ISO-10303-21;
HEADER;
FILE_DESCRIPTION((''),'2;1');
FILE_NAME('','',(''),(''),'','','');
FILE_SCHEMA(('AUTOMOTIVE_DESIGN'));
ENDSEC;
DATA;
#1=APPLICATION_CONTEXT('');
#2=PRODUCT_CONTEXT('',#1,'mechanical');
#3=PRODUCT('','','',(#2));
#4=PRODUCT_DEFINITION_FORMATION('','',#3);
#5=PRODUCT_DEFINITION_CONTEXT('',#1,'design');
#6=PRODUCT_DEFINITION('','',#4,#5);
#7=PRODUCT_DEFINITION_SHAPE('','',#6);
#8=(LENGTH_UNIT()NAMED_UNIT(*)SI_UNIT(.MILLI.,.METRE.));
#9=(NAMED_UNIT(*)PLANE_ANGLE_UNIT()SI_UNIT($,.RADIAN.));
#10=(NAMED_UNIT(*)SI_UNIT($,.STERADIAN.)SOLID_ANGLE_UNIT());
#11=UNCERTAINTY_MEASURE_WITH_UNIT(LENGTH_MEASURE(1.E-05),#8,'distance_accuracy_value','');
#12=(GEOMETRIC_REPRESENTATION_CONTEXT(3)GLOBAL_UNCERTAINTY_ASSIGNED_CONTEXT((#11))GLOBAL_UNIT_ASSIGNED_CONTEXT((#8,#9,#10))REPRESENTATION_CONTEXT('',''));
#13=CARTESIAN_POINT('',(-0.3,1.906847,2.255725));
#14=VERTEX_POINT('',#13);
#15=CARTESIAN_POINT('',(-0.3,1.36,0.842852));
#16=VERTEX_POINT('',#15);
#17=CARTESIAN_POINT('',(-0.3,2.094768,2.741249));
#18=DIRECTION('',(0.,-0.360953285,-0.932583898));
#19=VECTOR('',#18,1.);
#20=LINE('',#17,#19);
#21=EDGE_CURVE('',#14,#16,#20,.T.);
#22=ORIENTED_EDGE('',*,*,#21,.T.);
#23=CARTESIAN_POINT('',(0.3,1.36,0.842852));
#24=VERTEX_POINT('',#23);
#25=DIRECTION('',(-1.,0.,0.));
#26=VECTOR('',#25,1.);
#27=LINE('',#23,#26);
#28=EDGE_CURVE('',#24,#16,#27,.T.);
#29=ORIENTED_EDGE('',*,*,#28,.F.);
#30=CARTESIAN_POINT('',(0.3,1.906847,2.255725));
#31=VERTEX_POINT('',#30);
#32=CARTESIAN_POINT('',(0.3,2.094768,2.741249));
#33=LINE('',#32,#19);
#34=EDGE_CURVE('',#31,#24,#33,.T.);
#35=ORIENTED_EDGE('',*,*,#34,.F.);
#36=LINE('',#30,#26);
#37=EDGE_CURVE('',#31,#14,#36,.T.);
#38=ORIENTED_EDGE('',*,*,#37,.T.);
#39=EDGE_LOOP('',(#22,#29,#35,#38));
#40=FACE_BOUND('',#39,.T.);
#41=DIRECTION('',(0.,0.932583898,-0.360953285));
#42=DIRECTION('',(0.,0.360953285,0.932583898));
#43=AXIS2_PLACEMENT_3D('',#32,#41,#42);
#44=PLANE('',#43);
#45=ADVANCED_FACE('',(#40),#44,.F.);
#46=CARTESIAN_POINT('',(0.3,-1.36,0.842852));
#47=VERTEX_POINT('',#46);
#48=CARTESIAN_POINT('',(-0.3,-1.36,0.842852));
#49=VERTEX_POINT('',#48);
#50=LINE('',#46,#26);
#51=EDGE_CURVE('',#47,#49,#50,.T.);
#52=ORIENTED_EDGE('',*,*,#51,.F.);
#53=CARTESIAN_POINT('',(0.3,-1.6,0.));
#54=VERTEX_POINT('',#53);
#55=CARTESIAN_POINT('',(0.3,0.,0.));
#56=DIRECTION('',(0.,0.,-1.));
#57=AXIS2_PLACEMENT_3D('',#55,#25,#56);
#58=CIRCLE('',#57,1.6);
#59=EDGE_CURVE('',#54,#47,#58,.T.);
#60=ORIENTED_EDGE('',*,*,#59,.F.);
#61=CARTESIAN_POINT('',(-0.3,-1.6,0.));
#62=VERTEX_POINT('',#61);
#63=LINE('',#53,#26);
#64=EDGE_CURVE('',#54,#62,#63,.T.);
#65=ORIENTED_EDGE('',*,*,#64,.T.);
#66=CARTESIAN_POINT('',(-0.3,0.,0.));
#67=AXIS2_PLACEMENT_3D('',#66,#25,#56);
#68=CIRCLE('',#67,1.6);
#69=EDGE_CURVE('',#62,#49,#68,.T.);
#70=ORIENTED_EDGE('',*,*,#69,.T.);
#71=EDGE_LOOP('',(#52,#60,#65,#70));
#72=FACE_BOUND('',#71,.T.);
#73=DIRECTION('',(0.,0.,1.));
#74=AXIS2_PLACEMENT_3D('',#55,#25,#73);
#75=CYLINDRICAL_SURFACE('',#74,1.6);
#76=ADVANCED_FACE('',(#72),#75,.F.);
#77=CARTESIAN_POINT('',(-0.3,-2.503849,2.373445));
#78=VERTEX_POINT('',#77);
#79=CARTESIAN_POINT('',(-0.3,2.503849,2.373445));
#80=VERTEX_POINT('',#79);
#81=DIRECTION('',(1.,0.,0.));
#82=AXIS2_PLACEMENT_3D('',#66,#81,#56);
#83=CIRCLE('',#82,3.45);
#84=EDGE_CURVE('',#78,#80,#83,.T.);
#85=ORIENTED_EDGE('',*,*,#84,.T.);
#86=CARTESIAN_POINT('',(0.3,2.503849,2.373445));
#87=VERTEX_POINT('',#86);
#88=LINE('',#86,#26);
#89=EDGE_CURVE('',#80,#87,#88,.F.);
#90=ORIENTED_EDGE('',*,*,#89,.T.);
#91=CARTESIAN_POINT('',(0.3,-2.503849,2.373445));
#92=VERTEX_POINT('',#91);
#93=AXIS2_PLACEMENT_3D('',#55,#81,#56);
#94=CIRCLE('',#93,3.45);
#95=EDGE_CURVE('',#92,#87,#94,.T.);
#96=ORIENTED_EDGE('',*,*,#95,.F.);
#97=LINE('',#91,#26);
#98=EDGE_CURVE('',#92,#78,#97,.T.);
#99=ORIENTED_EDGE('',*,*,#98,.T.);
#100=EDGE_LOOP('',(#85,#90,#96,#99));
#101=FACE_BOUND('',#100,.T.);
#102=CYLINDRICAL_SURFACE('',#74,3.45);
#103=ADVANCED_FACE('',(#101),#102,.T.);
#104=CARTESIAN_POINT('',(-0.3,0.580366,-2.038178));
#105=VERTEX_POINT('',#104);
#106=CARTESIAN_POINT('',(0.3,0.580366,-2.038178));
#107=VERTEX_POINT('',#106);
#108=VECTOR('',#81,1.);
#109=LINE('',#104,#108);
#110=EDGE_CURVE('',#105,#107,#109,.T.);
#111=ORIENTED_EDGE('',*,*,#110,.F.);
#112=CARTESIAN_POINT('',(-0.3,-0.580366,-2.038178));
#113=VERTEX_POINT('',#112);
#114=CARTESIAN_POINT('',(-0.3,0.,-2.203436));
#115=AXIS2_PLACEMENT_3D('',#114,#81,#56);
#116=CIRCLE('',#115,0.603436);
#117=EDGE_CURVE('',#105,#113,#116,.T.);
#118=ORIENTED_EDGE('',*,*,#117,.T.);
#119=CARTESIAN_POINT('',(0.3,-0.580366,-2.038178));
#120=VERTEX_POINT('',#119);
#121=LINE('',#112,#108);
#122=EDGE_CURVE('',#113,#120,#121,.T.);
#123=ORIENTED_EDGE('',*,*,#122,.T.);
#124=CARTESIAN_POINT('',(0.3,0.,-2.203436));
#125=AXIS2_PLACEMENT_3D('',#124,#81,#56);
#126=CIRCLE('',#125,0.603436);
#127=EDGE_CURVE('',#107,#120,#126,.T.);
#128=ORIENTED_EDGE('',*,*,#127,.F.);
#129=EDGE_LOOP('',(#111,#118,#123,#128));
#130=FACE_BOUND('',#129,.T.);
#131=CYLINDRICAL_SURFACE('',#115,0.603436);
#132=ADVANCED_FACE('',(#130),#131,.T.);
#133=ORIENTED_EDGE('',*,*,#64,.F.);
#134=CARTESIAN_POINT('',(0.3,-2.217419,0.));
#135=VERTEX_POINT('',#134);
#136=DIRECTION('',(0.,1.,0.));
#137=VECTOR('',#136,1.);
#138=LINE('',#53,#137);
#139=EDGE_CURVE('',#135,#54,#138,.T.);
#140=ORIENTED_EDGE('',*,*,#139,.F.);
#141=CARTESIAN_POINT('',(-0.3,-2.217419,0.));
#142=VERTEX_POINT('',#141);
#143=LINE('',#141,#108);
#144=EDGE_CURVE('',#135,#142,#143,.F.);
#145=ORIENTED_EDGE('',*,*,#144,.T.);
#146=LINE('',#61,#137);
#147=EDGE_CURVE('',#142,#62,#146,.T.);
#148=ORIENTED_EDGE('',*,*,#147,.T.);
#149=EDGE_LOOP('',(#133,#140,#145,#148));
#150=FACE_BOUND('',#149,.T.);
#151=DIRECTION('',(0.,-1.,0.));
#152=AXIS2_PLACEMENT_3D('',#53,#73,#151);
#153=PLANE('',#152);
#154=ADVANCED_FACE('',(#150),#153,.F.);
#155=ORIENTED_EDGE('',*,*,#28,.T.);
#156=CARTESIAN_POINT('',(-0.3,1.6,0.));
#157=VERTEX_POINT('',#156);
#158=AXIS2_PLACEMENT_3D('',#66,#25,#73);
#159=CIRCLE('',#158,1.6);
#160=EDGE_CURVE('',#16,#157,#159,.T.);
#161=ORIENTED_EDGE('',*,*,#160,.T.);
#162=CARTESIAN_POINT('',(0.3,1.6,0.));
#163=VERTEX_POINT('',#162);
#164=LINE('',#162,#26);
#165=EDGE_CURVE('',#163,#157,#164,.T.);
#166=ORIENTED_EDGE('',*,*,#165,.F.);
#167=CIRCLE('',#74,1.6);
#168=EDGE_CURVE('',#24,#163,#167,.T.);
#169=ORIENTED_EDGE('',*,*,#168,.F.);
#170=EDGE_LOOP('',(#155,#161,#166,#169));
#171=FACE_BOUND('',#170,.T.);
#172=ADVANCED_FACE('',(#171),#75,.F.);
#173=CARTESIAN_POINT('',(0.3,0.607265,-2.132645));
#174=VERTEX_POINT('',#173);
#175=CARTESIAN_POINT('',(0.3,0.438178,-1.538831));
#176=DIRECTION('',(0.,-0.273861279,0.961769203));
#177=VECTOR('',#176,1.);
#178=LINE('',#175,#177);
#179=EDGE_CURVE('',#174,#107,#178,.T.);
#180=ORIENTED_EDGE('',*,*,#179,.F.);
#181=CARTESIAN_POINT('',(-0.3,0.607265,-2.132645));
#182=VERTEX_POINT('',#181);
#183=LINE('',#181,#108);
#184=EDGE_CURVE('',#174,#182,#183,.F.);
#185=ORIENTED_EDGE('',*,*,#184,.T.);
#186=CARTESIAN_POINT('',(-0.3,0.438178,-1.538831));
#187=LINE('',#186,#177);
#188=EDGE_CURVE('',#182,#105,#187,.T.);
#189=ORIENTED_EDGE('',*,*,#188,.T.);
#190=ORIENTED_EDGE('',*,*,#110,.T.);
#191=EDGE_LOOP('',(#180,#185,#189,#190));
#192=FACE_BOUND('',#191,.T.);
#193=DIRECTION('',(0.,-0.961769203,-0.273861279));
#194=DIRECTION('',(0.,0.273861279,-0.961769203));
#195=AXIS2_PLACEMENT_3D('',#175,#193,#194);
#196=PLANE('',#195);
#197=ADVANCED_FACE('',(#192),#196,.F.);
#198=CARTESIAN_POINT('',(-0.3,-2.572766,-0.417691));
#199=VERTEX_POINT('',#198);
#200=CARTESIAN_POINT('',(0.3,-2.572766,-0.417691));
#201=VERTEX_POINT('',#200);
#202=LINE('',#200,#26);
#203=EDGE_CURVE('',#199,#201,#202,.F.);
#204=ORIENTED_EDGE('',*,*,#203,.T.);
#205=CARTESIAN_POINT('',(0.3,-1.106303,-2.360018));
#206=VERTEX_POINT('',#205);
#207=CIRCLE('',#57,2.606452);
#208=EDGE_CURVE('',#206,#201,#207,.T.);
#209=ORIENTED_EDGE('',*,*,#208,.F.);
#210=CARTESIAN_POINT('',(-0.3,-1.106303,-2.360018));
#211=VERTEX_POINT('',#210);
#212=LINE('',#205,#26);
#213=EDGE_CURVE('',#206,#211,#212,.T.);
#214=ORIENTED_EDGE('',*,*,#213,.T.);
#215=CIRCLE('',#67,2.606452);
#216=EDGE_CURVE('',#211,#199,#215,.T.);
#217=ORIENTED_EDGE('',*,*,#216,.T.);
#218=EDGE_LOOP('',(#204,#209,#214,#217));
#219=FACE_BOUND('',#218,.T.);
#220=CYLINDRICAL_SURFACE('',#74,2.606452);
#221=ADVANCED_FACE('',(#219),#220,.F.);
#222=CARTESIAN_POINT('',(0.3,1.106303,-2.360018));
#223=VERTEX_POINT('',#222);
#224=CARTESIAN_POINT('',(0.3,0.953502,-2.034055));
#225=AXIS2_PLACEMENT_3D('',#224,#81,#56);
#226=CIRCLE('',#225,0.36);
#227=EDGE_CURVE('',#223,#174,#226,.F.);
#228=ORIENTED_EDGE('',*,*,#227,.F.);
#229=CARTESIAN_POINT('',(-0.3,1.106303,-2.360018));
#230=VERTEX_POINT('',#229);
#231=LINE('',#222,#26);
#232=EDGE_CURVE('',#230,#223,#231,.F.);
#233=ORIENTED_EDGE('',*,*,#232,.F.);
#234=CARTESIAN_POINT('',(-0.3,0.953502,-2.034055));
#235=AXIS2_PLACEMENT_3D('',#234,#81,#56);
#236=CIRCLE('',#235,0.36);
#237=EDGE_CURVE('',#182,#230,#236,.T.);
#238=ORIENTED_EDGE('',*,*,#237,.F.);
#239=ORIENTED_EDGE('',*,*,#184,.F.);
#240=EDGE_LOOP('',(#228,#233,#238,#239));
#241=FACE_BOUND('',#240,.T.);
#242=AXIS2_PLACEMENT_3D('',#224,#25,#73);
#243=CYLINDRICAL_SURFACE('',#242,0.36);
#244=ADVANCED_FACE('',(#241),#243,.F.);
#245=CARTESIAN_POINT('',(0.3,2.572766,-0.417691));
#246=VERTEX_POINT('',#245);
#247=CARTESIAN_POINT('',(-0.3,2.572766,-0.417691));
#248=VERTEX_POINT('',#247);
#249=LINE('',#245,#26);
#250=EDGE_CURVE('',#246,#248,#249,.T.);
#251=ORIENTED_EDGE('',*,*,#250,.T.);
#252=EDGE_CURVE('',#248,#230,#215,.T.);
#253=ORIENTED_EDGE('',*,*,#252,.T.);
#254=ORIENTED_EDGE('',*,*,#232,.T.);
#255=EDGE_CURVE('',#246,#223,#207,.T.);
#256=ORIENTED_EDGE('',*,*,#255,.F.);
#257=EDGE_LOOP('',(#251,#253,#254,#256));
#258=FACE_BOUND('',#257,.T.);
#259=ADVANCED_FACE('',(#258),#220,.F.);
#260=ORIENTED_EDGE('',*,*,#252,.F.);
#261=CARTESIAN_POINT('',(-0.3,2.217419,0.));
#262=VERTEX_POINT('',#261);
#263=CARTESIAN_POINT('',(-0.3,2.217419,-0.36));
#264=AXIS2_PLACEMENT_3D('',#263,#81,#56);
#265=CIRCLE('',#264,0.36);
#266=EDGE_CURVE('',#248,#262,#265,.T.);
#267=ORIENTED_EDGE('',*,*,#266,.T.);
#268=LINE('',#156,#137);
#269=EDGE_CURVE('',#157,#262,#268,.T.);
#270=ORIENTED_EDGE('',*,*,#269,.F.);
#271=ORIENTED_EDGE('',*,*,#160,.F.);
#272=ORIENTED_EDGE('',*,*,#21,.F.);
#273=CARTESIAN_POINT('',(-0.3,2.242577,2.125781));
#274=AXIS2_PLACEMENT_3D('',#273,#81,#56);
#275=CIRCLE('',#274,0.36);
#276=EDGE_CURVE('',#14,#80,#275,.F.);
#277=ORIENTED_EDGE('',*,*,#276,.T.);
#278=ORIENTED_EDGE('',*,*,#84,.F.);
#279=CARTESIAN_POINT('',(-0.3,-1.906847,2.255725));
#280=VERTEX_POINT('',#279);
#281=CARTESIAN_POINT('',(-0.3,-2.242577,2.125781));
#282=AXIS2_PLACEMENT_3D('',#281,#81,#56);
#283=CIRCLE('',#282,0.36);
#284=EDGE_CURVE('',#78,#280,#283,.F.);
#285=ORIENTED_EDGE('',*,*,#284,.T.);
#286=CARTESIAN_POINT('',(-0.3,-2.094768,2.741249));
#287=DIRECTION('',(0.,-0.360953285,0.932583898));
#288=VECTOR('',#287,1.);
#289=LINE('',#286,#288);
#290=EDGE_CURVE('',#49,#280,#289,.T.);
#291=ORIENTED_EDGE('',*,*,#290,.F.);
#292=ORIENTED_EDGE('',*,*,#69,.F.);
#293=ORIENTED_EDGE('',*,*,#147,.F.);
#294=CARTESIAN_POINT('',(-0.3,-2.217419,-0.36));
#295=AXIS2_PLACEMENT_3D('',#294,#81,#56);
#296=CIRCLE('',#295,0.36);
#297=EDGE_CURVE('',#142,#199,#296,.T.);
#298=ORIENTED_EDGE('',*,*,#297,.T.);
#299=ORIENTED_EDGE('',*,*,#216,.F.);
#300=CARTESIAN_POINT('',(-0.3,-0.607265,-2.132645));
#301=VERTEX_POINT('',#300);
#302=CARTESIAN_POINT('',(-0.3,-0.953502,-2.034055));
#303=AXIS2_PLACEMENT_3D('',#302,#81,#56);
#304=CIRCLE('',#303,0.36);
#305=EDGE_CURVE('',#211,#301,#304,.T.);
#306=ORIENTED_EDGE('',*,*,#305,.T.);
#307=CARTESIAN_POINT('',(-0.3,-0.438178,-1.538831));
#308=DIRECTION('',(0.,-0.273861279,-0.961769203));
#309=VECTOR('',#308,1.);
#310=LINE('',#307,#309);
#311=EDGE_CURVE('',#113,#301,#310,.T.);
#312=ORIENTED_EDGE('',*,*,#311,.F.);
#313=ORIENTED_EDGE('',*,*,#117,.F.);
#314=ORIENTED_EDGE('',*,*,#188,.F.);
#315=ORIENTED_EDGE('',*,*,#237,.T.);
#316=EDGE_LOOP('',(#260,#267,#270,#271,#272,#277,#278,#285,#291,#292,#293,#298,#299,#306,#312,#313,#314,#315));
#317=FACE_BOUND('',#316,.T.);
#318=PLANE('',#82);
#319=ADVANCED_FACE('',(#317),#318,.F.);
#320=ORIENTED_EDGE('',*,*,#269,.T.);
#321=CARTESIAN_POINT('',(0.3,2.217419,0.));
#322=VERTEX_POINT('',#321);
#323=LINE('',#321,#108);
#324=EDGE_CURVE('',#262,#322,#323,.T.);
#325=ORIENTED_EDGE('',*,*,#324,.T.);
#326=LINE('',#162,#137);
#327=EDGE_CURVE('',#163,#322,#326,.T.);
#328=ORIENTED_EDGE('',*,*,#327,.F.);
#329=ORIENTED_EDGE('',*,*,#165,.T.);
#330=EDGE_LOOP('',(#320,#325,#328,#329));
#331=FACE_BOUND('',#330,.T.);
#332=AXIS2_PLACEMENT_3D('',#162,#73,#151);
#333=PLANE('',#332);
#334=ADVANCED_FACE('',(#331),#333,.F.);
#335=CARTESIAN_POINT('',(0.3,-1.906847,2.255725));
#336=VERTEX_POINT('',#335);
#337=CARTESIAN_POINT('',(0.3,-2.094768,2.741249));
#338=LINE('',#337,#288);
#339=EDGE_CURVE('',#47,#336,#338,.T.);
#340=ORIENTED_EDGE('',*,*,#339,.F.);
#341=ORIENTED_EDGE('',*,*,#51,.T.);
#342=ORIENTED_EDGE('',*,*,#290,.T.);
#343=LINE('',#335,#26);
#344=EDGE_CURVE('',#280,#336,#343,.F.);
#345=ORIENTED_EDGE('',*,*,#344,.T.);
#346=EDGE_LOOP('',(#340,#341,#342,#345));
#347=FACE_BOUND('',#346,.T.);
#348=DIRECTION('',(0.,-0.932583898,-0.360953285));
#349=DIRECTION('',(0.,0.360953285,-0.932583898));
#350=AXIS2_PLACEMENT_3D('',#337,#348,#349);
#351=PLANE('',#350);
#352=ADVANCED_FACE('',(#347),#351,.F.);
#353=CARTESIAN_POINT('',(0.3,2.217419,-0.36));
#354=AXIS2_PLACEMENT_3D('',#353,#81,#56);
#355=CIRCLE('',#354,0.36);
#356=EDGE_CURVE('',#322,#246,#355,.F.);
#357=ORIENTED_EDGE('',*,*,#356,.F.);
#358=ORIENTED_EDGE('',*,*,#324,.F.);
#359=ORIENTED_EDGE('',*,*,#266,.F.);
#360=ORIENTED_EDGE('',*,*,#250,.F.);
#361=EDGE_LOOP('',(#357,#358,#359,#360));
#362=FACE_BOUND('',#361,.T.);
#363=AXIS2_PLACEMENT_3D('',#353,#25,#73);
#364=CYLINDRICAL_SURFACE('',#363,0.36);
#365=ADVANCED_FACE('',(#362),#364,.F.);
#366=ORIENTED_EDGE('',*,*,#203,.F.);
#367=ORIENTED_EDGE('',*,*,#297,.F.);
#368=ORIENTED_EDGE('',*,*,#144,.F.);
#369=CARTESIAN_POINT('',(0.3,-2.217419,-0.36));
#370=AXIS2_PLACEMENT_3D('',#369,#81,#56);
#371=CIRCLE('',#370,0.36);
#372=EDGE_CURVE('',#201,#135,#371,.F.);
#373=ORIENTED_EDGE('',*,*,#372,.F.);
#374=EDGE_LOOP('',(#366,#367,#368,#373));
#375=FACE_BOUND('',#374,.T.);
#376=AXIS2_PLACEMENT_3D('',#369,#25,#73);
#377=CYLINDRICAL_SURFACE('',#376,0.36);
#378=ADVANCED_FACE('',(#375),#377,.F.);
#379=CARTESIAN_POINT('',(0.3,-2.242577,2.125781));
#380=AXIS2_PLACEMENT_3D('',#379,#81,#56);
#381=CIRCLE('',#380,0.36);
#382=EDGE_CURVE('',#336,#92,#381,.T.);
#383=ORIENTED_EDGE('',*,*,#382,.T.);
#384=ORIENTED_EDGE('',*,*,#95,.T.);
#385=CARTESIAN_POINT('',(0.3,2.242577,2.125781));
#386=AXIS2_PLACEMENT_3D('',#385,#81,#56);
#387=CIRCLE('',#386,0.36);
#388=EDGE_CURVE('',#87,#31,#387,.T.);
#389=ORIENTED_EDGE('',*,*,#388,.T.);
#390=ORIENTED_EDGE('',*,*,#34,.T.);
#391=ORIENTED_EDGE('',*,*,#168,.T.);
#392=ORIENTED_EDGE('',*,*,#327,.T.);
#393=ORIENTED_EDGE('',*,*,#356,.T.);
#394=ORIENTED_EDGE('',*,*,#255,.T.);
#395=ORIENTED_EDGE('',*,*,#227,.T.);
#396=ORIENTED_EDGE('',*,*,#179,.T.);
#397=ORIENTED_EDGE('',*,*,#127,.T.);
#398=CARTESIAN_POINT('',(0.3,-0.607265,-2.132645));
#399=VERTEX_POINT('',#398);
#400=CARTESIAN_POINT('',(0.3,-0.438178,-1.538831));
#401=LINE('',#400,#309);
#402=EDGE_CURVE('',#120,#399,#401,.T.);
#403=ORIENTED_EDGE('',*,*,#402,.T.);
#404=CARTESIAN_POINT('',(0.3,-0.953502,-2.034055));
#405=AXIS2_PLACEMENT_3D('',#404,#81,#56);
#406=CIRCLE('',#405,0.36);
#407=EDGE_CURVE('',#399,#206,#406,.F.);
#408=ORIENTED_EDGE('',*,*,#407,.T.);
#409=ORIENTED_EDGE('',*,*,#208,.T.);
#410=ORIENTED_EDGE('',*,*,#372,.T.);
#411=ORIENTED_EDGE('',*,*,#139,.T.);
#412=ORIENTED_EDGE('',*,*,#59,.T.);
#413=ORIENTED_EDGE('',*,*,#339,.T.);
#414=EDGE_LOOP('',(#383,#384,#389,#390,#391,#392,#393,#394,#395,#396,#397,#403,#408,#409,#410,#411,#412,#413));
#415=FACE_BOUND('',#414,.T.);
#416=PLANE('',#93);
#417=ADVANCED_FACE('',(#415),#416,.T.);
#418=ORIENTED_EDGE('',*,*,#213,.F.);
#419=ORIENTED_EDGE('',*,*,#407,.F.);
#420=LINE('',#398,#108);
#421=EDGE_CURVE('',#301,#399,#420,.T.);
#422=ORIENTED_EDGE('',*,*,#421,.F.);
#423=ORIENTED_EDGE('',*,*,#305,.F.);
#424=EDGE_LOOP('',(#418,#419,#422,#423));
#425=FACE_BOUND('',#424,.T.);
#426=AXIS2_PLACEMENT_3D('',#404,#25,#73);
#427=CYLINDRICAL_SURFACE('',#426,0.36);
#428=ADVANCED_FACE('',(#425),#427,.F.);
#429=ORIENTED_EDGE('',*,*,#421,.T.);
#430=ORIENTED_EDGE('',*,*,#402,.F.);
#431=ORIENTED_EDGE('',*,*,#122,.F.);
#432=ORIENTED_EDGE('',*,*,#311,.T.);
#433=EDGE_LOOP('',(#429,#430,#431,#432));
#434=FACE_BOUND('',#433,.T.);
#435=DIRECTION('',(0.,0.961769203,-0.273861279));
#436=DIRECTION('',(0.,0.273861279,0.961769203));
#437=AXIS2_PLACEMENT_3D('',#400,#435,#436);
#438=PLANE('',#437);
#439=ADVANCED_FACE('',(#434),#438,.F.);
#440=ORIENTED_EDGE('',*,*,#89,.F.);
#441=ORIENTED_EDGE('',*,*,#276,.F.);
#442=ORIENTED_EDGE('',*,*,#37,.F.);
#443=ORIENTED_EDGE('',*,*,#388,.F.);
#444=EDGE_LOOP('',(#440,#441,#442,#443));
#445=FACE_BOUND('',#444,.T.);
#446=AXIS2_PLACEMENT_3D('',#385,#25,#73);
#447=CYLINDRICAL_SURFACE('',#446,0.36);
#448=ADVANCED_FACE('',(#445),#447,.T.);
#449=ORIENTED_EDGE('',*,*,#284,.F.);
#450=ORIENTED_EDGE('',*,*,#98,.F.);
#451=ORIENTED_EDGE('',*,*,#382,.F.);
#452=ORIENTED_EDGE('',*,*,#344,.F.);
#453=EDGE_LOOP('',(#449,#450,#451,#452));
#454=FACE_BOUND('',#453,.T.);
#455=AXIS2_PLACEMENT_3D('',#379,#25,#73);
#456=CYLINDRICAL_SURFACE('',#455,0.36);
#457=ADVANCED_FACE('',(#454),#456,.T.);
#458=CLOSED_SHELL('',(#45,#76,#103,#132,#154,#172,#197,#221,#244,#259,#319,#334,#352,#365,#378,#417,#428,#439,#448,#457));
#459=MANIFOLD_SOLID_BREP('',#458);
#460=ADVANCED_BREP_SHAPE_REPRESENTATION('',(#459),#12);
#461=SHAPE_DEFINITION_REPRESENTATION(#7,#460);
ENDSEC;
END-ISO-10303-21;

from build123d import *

# Parameters (mm, degrees)
EXTRUDE1_DEPTH          = 0.3
FILLET1_R               = 0.36
CUT_EXTRUDE1_DEPTH      = 1.3
CUT_EXTRUDE1_DEPTH_BACK = 1.3


with BuildPart() as part:
    # Sketch1 → Extrude1 (new body, symmetric)
    with BuildSketch(Plane(origin=(0, 0, 0), x_dir=(0, 0, -1), z_dir=(1, 0, 0))):
        with BuildLine():
            Line((-2.741249311, -2.094767819), (-0.8428523, -1.36))
            ThreePointArc((-0.8428523, -1.36), (-0.438178046, -1.538830725), (0, -1.6))
            Line((0, -1.6), (0, -2.606451613))
            ThreePointArc((0, -2.606451613), (1.570523601, -2.080155193), (2.506804891, -0.713806172))
            Line((2.506804891, -0.713806172), (1.538830725, -0.438178046))
            ThreePointArc((1.538830725, -0.438178046), (1.6, 0), (1.538830725, 0.438178046))
            Line((1.538830725, 0.438178046), (2.506804891, 0.713806172))
            ThreePointArc((2.506804891, 0.713806172), (1.570523601, 2.080155193), (0, 2.606451613))
            Line((0, 2.606451613), (0, 1.6))
            ThreePointArc((0, 1.6), (-0.438178046, 1.538830725), (-0.8428523, 1.36))
            Line((-0.8428523, 1.36), (-2.741249311, 2.094767819))
            ThreePointArc((-2.741249311, 2.094767819), (3.45, 0), (-2.741249311, -2.094767819))
        make_face()
    extrude(amount=EXTRUDE1_DEPTH, both=True)

    # Fillet1
    fillet1_edges = [part.edges().sort_by_distance(p)[0] for p in [
        (0, -2.094767819, 2.741249311),
        (0, -2.606451613, 0),
        (0, -0.713806172, -2.506804891),
        (0, 0.713806172, -2.506804891),
        (0, 2.606451613, 0),
        (0, 2.094767819, 2.741249311),
    ]]
    fillet(fillet1_edges, radius=FILLET1_R)

    # Sketch4 → Cut-Extrude1 (cut, two sides)
    with BuildSketch(Plane(origin=(0, 0, 0), x_dir=(0, 0, -1), z_dir=(1, 0, 0))) as cut_extrude1_sk:
        with BuildLine():
            ThreePointArc((1.538830725, 0.438178046), (1.584633895, 0.221213517), (1.6, 0))
            ThreePointArc((1.6, 0), (1.721846138, 0.363601628), (2.038178046, 0.580365897))
            Line((2.038178046, 0.580365897), (1.538830725, 0.438178046))
        make_face()
        with BuildLine():
            ThreePointArc((1.6, 0), (1.584633895, -0.221213517), (1.538830725, -0.438178046))
            Line((1.538830725, -0.438178046), (2.038178046, -0.580365897))
            ThreePointArc((2.038178046, -0.580365897), (1.721846138, -0.363601628), (1.6, 0))
        make_face()
    extrude(amount=CUT_EXTRUDE1_DEPTH, mode=Mode.SUBTRACT)
    extrude(cut_extrude1_sk.sketch, amount=-CUT_EXTRUDE1_DEPTH_BACK, mode=Mode.SUBTRACT)


solid = part.part
